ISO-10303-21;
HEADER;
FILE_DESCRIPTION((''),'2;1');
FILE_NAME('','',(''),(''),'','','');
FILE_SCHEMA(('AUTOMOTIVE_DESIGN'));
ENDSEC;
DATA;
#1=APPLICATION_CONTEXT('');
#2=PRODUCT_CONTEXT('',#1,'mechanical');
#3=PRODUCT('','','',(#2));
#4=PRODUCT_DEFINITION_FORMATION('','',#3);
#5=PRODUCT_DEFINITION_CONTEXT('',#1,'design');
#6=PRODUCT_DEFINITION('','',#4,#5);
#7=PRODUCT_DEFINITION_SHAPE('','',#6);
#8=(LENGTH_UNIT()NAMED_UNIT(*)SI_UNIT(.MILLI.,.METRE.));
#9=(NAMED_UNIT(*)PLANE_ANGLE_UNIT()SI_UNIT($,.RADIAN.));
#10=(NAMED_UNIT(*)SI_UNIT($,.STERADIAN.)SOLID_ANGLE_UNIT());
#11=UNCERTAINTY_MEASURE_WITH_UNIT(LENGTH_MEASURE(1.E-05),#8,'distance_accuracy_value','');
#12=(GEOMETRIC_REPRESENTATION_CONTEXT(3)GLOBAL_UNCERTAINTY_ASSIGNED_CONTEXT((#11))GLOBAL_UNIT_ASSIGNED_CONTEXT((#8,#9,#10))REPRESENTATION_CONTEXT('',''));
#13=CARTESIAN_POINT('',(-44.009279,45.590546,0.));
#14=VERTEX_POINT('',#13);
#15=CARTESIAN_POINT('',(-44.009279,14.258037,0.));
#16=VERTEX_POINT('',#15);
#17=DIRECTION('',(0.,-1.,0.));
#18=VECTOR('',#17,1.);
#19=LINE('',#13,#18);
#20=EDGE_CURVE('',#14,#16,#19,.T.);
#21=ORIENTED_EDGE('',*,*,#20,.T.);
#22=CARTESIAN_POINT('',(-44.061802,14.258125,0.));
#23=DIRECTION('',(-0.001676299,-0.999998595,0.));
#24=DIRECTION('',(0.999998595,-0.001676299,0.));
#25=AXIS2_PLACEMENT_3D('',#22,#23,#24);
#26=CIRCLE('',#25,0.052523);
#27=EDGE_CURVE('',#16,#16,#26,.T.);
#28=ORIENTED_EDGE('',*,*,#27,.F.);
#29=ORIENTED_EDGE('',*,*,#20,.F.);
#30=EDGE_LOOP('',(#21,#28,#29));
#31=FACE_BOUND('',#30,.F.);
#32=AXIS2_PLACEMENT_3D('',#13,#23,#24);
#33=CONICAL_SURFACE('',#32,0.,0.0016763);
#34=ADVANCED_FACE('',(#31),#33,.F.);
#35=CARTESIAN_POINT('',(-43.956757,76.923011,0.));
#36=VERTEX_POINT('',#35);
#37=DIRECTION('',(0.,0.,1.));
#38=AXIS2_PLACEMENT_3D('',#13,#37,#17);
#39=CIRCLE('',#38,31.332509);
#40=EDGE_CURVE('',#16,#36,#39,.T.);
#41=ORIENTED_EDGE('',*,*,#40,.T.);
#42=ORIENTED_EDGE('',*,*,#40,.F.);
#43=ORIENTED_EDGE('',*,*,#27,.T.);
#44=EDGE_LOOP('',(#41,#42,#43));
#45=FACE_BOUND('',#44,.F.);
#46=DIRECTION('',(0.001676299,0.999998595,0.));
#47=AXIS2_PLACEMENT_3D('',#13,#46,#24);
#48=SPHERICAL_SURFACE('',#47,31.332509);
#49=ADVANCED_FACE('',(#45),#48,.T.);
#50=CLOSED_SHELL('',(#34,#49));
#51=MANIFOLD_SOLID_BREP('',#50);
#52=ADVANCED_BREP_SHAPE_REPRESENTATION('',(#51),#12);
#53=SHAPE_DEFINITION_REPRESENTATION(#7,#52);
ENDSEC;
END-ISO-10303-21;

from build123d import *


with BuildPart() as f1:
    # F0 (on Top) → F1 (revolve)
    with BuildSketch(Plane.XY):
        with BuildLine():
            Line((-43.9567568072, 76.9230106211), (-44.0092794597, 45.5905459821))
            Line((-44.0092794597, 45.5905459821), (-44.0092794597, 14.2580373213))
            ThreePointArc((-44.0092794597, 14.2580373213), (-12.6767818043, 45.5642846466), (-43.9567568072, 76.9230106211))
        make_face()
    revolve(axis=Axis((-43.9830181335, 61.2567783016, 0), (-0.001676299, -0.999998595, 0)))


solid = f1.part
